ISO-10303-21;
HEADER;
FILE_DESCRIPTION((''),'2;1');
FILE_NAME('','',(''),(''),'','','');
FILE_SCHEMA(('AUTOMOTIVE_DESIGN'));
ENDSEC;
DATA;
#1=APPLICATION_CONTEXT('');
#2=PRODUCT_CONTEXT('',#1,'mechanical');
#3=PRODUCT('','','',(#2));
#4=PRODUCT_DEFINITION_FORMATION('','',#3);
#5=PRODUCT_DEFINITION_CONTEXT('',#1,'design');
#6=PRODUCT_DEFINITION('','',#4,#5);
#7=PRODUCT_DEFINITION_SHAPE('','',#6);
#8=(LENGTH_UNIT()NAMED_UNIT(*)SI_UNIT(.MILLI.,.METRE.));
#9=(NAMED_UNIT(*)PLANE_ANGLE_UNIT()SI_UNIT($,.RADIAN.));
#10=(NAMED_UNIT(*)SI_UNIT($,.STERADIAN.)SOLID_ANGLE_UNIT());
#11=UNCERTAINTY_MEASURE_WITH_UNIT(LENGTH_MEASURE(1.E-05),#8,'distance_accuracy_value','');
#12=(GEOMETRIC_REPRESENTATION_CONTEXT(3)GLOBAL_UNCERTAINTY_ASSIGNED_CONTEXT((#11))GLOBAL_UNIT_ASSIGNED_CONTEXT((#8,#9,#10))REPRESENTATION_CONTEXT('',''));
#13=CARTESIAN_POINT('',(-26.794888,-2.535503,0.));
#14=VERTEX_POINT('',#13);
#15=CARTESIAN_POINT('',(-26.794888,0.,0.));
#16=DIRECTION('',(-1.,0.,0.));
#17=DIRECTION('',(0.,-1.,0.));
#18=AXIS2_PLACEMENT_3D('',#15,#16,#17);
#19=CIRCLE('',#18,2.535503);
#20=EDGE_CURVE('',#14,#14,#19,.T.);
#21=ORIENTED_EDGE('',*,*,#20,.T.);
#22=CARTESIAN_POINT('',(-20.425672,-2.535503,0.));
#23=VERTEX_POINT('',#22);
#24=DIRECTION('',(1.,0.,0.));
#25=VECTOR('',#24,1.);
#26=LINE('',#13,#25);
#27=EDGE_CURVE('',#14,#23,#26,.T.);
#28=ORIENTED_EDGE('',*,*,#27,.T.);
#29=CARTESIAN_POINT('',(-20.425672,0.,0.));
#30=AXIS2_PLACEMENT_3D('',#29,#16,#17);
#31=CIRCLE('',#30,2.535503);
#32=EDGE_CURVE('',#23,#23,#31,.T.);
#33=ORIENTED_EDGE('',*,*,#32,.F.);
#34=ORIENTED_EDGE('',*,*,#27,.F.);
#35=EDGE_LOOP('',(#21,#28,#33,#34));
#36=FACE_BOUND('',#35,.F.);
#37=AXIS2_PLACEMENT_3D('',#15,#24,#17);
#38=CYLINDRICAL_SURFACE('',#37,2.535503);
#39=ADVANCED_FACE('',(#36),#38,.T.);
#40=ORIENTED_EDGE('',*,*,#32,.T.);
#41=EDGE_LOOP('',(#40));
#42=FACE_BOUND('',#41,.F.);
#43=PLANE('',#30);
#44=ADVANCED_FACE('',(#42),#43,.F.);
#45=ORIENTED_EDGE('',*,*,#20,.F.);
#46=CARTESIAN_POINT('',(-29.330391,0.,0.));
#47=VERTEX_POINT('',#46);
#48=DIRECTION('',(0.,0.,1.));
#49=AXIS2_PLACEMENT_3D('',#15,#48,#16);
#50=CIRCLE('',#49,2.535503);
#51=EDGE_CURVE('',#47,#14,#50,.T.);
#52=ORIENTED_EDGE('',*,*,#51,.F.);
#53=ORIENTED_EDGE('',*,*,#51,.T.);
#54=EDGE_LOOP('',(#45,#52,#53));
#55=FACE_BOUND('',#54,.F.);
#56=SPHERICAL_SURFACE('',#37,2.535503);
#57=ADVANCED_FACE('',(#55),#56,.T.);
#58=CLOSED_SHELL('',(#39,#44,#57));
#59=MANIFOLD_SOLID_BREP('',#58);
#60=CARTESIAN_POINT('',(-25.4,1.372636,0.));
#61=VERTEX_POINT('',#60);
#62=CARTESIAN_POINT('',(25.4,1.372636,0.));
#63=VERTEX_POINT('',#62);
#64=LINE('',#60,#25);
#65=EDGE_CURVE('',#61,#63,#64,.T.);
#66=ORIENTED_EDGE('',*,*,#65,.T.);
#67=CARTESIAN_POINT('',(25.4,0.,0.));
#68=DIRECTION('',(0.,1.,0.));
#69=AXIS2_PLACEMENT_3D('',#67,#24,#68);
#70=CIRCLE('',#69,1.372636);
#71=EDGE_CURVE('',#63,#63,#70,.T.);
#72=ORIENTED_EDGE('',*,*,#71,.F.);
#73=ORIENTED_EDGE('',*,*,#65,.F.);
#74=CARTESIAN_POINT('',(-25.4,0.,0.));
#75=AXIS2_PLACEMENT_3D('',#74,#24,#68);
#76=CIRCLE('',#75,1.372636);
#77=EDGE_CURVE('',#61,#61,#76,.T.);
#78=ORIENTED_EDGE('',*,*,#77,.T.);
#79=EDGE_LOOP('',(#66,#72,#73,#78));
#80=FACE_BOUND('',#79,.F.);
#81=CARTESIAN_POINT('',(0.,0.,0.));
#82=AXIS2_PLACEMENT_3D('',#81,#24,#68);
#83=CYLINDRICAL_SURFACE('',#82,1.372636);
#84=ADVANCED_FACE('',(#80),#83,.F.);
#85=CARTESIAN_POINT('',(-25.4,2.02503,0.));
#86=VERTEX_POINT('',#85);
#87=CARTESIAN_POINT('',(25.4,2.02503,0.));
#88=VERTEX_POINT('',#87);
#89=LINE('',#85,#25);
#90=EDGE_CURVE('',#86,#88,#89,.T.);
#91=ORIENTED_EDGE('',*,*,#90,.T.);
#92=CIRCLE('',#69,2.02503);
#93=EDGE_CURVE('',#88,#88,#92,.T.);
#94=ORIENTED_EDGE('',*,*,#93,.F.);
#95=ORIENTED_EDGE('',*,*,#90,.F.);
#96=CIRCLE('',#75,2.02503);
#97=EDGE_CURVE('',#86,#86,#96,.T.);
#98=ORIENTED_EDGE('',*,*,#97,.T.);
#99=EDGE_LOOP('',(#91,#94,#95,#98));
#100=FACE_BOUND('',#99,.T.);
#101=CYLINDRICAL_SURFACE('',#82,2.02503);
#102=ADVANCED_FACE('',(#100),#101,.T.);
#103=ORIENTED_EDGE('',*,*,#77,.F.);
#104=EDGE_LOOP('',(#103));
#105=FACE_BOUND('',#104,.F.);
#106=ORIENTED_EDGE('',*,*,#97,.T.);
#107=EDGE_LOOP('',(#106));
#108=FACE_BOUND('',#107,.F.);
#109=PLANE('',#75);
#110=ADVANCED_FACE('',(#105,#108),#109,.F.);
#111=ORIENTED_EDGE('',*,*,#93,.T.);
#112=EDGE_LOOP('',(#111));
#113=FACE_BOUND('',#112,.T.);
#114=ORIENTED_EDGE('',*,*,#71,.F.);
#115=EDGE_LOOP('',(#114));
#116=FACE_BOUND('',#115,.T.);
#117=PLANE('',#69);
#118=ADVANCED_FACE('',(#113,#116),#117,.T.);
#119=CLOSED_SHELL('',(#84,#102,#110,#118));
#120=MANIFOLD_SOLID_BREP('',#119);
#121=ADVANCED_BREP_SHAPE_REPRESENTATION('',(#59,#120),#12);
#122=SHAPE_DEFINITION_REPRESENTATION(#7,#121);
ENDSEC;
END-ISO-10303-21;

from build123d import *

# Parameters (mm, degrees)
F0_R     = 2.0250297423
F1_DEPTH = 25.4
F2_R     = 1.3726360735
F3_DEPTH = 25.4


with BuildPart() as f1:
    # F0 (on Right) → F1 (new body, symmetric)
    with BuildSketch(Plane.YZ):
        Circle(F0_R)
    extrude(amount=F1_DEPTH, both=True)

    # F2 (on Right) → F3 (cut, symmetric)
    with BuildSketch(Plane.YZ):
        Circle(F2_R)
    extrude(amount=F3_DEPTH, both=True, mode=Mode.SUBTRACT)


with BuildPart() as f5:
    # F4 (on Top) → F5 (revolve)
    with BuildSketch(Plane.XY):
        with BuildLine():
            Line((-20.4256717116, -2.5355029557), (-20.4256717116, 0))
            Line((-20.4256717116, 0), (-29.3303910349, 0))
            ThreePointArc((-29.3303910349, 0), (-28.5877594129, -1.7928713337), (-26.7948880792, -2.5355029557))
            Line((-26.7948880792, -2.5355029557), (-20.4256717116, -2.5355029557))
        make_face()
    revolve(axis=Axis((-14.6651955174, 0, 0), (-1, 0, 0)))


solid = Compound([f1.part, f5.part])
